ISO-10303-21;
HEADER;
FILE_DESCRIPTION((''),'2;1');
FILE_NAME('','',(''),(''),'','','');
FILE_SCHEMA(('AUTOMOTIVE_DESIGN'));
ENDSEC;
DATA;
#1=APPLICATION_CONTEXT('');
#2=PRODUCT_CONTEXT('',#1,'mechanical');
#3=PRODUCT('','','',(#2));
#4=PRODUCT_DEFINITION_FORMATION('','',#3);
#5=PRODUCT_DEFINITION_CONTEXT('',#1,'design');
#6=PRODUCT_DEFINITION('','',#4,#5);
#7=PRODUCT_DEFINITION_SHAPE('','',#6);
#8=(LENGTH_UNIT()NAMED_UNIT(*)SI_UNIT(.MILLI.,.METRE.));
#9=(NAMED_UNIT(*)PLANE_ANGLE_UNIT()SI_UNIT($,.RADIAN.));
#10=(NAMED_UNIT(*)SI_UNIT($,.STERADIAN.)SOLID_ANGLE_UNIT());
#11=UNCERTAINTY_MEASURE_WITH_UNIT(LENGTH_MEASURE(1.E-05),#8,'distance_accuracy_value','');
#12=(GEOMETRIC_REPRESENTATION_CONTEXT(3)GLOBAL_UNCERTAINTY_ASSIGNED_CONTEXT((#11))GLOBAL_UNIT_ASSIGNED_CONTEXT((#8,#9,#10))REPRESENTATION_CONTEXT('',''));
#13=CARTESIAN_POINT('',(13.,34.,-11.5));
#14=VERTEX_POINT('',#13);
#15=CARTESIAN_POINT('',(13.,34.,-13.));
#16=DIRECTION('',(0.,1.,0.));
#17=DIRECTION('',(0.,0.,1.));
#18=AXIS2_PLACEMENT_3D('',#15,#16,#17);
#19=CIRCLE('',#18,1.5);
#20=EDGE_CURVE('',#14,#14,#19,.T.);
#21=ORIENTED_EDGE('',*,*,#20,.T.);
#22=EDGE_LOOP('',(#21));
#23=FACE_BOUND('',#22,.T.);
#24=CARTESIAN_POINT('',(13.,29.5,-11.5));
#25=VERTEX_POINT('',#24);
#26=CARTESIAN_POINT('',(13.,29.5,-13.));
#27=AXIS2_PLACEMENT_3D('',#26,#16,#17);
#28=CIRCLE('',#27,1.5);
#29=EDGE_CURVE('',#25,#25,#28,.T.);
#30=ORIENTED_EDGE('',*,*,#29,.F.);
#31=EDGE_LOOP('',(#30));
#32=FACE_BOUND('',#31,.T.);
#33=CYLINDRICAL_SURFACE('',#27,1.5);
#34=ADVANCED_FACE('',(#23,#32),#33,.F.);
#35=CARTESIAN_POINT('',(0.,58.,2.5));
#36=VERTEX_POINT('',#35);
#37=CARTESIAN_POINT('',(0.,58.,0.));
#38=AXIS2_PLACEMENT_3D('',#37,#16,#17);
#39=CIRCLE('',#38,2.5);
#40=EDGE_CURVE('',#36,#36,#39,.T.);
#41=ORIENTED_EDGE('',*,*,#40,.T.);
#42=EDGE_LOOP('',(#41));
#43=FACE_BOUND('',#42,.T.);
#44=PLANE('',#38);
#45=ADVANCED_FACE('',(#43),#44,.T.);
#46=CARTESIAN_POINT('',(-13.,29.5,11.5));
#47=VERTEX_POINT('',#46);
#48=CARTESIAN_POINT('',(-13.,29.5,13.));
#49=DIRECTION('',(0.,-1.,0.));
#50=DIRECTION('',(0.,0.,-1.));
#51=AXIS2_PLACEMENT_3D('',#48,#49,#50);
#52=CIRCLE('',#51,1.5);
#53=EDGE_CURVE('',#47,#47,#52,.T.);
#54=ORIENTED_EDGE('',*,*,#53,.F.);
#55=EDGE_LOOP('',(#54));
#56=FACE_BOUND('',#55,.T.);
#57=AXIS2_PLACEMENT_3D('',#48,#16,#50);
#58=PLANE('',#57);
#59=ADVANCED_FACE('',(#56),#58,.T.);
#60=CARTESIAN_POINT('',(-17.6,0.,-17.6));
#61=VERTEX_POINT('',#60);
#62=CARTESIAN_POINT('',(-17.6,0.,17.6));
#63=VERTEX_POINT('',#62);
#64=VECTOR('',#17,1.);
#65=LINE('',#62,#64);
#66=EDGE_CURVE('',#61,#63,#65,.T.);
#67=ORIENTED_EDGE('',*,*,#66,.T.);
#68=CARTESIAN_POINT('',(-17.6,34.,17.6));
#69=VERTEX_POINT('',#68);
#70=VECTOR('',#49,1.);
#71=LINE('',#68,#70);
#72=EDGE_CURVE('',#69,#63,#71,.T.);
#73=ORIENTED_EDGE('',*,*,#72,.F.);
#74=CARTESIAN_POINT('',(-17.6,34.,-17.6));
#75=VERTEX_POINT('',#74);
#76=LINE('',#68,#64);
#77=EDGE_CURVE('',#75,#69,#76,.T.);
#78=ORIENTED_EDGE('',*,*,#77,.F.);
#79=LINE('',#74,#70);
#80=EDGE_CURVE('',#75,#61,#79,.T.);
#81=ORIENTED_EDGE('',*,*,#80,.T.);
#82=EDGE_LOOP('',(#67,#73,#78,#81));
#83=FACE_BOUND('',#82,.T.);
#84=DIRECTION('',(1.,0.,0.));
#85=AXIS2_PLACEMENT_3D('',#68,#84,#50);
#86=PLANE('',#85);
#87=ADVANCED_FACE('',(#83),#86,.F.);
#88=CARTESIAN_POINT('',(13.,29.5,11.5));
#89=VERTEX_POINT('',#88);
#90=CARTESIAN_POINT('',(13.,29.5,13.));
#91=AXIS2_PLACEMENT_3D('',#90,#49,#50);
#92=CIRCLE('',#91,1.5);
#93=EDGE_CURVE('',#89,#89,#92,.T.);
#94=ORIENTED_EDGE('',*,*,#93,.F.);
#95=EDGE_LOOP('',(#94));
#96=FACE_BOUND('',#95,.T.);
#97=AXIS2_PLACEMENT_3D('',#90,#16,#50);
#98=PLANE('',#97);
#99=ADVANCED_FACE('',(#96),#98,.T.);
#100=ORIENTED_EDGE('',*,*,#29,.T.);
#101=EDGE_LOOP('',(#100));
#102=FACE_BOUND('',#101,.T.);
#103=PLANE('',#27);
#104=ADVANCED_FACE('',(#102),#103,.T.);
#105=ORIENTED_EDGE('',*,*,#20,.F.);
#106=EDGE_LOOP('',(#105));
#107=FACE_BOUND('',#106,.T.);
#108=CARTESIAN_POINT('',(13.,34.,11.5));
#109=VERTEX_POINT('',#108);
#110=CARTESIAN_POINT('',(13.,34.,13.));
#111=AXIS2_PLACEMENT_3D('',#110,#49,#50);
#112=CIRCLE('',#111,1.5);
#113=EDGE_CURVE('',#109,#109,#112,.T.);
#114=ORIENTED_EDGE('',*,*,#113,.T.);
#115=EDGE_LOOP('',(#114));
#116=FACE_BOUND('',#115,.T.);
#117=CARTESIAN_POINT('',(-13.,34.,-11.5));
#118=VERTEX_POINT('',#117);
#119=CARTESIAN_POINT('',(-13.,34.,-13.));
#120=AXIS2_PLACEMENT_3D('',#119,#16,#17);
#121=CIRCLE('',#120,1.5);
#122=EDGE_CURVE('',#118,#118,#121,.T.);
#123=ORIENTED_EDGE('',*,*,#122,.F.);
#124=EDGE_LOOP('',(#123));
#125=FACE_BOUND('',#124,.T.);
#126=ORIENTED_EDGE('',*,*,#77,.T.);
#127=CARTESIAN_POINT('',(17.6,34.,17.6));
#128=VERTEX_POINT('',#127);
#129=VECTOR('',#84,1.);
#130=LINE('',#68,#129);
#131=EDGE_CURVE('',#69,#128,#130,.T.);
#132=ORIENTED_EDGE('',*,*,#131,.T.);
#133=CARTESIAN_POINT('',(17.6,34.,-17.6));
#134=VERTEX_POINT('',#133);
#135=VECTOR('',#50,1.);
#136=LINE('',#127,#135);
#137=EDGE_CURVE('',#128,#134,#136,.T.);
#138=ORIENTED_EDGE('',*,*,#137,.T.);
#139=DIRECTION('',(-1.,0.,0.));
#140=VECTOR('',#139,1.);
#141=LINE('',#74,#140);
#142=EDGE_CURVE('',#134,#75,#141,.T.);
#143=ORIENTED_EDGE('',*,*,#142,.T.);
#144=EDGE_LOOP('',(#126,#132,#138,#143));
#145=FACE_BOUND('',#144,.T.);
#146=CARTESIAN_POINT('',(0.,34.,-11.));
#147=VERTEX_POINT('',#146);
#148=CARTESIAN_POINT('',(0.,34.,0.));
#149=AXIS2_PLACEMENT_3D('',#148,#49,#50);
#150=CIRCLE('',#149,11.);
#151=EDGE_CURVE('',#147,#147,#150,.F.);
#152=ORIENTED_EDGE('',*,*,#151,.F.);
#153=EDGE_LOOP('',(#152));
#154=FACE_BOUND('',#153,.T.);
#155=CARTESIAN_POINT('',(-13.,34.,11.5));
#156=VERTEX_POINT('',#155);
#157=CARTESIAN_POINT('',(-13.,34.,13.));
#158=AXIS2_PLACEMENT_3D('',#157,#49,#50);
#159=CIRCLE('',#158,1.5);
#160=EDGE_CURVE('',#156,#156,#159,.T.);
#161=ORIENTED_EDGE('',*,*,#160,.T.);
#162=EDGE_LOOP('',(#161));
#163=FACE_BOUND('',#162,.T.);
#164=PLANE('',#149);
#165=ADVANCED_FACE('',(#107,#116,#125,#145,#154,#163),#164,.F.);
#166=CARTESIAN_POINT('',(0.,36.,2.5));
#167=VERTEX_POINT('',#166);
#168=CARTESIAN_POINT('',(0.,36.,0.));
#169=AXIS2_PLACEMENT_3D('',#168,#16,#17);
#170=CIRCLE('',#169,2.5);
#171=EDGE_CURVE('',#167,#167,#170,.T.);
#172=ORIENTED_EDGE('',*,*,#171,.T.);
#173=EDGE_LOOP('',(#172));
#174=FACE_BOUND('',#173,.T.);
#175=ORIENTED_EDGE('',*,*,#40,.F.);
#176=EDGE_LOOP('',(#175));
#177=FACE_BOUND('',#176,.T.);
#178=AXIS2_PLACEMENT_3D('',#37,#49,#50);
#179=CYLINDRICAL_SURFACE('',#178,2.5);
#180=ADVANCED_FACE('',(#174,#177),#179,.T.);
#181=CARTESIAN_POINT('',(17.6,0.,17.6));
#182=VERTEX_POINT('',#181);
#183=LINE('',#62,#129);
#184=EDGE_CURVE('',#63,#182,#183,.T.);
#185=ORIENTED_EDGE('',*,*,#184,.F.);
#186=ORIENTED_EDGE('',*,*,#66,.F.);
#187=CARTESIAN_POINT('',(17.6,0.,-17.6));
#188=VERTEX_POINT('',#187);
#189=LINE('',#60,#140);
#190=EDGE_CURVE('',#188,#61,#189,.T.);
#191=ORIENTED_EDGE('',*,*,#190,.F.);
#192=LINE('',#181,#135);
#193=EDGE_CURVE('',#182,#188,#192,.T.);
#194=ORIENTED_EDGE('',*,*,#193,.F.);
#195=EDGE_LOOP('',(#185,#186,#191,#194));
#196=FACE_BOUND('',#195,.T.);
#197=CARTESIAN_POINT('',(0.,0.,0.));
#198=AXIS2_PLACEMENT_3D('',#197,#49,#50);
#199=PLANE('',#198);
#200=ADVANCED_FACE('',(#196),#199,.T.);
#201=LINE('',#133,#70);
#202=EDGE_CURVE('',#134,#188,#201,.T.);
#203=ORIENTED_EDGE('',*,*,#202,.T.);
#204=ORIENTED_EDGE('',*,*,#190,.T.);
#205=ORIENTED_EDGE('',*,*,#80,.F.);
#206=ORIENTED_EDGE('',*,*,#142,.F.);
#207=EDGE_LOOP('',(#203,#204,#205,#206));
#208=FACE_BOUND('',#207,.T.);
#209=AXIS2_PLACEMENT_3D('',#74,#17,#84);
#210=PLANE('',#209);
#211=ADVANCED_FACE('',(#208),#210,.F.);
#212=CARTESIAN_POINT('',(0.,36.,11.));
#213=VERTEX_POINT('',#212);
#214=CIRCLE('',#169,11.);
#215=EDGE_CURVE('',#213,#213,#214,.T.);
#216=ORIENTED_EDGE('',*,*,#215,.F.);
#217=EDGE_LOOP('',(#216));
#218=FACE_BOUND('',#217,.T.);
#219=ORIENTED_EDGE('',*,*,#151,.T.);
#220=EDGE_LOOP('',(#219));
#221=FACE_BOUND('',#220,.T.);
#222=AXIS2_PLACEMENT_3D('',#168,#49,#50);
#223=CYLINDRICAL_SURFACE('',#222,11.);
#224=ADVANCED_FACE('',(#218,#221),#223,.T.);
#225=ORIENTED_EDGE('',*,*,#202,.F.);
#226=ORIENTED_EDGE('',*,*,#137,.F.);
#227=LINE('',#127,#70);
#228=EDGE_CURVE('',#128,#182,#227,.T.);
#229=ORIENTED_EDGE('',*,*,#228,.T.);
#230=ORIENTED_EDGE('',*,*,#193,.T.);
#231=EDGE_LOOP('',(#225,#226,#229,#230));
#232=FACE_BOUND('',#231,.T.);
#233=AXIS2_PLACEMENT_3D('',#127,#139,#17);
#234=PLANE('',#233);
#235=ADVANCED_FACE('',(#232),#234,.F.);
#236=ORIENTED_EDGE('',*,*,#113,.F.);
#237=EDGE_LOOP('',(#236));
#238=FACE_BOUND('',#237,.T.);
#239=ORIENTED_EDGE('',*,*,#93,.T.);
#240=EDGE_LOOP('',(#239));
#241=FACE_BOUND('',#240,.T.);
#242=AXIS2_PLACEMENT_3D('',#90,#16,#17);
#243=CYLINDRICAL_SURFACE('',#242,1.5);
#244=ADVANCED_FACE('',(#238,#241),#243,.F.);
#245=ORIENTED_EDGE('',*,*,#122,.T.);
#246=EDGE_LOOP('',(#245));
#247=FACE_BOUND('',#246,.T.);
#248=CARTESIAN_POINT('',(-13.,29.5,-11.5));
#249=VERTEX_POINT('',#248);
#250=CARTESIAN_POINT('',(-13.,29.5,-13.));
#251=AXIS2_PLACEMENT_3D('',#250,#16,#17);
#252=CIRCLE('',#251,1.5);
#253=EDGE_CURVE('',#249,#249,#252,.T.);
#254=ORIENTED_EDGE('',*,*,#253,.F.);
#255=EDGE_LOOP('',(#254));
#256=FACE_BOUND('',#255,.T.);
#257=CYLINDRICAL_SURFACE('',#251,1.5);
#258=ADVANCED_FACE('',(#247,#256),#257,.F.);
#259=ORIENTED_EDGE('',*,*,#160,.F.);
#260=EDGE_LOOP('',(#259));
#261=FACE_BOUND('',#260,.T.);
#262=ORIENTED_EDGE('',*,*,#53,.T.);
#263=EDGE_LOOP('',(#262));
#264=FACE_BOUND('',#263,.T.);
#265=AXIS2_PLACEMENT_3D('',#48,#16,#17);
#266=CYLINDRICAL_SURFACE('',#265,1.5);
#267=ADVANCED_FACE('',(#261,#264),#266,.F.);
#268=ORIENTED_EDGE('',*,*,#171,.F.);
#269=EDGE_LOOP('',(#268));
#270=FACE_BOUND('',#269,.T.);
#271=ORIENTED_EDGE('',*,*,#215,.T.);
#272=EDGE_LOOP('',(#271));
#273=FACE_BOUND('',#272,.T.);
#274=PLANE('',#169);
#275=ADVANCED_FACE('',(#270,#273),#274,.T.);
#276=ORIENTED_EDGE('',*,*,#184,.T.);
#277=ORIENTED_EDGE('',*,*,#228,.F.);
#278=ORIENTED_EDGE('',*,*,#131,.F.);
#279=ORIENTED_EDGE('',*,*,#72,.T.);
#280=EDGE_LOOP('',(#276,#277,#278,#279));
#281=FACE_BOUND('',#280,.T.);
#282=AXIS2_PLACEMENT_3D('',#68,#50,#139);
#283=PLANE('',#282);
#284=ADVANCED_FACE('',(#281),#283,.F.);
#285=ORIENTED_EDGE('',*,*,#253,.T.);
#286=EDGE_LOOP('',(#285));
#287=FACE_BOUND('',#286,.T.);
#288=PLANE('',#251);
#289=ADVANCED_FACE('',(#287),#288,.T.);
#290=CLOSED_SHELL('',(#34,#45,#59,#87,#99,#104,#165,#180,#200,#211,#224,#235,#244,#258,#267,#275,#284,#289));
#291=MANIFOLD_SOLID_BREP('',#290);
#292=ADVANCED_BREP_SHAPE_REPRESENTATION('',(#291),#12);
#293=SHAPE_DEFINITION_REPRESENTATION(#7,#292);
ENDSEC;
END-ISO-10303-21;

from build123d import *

# Parameters (mm, degrees)
SKETCH1_W           = 35.2
SKETCH1_H           = 35.2
BOSS_EXTRUDE1_DEPTH = 34
SKETCH2_R           = 1.5
CUT_EXTRUDE1_DEPTH  = 4.5
SKETCH3_R           = 11
BOSS_EXTRUDE2_DEPTH = 2
SKETCH4_R           = 2.5
BOSS_EXTRUDE3_DEPTH = 22


with BuildPart() as part:
    # Sketch1 → Boss-Extrude1 (new body)
    with BuildSketch(Plane(origin=(0, 0, 0), x_dir=(1, 0, 0), z_dir=(0, 1, 0))):
        Rectangle(SKETCH1_W, SKETCH1_H)
    extrude(amount=BOSS_EXTRUDE1_DEPTH)

    # Sketch2 → Cut-Extrude1 (cut)
    with BuildSketch(Plane(origin=(0, 34, 0), x_dir=(1, 0, 0), z_dir=(0, 1, 0))):
        with Locations((-13, 13)):
            Circle(SKETCH2_R)
        with Locations((13, 13)):
            Circle(SKETCH2_R)
    cut_extrude1 = extrude(amount=-CUT_EXTRUDE1_DEPTH, mode=Mode.SUBTRACT)

    # Mirror1: Cut-Extrude1 across plane
    add(cut_extrude1.mirror(Plane.XY), mode=Mode.SUBTRACT)

    # Sketch3 → Boss-Extrude2 (add)
    with BuildSketch(Plane(origin=(0, 34, 0), x_dir=(1, 0, 0), z_dir=(0, 1, 0))):
        Circle(SKETCH3_R)
    extrude(amount=BOSS_EXTRUDE2_DEPTH)

    # Sketch4 → Boss-Extrude3 (add)
    with BuildSketch(Plane(origin=(0, 36, 0), x_dir=(1, 0, 0), z_dir=(0, 1, 0))):
        Circle(SKETCH4_R)
    extrude(amount=BOSS_EXTRUDE3_DEPTH)


solid = part.part
